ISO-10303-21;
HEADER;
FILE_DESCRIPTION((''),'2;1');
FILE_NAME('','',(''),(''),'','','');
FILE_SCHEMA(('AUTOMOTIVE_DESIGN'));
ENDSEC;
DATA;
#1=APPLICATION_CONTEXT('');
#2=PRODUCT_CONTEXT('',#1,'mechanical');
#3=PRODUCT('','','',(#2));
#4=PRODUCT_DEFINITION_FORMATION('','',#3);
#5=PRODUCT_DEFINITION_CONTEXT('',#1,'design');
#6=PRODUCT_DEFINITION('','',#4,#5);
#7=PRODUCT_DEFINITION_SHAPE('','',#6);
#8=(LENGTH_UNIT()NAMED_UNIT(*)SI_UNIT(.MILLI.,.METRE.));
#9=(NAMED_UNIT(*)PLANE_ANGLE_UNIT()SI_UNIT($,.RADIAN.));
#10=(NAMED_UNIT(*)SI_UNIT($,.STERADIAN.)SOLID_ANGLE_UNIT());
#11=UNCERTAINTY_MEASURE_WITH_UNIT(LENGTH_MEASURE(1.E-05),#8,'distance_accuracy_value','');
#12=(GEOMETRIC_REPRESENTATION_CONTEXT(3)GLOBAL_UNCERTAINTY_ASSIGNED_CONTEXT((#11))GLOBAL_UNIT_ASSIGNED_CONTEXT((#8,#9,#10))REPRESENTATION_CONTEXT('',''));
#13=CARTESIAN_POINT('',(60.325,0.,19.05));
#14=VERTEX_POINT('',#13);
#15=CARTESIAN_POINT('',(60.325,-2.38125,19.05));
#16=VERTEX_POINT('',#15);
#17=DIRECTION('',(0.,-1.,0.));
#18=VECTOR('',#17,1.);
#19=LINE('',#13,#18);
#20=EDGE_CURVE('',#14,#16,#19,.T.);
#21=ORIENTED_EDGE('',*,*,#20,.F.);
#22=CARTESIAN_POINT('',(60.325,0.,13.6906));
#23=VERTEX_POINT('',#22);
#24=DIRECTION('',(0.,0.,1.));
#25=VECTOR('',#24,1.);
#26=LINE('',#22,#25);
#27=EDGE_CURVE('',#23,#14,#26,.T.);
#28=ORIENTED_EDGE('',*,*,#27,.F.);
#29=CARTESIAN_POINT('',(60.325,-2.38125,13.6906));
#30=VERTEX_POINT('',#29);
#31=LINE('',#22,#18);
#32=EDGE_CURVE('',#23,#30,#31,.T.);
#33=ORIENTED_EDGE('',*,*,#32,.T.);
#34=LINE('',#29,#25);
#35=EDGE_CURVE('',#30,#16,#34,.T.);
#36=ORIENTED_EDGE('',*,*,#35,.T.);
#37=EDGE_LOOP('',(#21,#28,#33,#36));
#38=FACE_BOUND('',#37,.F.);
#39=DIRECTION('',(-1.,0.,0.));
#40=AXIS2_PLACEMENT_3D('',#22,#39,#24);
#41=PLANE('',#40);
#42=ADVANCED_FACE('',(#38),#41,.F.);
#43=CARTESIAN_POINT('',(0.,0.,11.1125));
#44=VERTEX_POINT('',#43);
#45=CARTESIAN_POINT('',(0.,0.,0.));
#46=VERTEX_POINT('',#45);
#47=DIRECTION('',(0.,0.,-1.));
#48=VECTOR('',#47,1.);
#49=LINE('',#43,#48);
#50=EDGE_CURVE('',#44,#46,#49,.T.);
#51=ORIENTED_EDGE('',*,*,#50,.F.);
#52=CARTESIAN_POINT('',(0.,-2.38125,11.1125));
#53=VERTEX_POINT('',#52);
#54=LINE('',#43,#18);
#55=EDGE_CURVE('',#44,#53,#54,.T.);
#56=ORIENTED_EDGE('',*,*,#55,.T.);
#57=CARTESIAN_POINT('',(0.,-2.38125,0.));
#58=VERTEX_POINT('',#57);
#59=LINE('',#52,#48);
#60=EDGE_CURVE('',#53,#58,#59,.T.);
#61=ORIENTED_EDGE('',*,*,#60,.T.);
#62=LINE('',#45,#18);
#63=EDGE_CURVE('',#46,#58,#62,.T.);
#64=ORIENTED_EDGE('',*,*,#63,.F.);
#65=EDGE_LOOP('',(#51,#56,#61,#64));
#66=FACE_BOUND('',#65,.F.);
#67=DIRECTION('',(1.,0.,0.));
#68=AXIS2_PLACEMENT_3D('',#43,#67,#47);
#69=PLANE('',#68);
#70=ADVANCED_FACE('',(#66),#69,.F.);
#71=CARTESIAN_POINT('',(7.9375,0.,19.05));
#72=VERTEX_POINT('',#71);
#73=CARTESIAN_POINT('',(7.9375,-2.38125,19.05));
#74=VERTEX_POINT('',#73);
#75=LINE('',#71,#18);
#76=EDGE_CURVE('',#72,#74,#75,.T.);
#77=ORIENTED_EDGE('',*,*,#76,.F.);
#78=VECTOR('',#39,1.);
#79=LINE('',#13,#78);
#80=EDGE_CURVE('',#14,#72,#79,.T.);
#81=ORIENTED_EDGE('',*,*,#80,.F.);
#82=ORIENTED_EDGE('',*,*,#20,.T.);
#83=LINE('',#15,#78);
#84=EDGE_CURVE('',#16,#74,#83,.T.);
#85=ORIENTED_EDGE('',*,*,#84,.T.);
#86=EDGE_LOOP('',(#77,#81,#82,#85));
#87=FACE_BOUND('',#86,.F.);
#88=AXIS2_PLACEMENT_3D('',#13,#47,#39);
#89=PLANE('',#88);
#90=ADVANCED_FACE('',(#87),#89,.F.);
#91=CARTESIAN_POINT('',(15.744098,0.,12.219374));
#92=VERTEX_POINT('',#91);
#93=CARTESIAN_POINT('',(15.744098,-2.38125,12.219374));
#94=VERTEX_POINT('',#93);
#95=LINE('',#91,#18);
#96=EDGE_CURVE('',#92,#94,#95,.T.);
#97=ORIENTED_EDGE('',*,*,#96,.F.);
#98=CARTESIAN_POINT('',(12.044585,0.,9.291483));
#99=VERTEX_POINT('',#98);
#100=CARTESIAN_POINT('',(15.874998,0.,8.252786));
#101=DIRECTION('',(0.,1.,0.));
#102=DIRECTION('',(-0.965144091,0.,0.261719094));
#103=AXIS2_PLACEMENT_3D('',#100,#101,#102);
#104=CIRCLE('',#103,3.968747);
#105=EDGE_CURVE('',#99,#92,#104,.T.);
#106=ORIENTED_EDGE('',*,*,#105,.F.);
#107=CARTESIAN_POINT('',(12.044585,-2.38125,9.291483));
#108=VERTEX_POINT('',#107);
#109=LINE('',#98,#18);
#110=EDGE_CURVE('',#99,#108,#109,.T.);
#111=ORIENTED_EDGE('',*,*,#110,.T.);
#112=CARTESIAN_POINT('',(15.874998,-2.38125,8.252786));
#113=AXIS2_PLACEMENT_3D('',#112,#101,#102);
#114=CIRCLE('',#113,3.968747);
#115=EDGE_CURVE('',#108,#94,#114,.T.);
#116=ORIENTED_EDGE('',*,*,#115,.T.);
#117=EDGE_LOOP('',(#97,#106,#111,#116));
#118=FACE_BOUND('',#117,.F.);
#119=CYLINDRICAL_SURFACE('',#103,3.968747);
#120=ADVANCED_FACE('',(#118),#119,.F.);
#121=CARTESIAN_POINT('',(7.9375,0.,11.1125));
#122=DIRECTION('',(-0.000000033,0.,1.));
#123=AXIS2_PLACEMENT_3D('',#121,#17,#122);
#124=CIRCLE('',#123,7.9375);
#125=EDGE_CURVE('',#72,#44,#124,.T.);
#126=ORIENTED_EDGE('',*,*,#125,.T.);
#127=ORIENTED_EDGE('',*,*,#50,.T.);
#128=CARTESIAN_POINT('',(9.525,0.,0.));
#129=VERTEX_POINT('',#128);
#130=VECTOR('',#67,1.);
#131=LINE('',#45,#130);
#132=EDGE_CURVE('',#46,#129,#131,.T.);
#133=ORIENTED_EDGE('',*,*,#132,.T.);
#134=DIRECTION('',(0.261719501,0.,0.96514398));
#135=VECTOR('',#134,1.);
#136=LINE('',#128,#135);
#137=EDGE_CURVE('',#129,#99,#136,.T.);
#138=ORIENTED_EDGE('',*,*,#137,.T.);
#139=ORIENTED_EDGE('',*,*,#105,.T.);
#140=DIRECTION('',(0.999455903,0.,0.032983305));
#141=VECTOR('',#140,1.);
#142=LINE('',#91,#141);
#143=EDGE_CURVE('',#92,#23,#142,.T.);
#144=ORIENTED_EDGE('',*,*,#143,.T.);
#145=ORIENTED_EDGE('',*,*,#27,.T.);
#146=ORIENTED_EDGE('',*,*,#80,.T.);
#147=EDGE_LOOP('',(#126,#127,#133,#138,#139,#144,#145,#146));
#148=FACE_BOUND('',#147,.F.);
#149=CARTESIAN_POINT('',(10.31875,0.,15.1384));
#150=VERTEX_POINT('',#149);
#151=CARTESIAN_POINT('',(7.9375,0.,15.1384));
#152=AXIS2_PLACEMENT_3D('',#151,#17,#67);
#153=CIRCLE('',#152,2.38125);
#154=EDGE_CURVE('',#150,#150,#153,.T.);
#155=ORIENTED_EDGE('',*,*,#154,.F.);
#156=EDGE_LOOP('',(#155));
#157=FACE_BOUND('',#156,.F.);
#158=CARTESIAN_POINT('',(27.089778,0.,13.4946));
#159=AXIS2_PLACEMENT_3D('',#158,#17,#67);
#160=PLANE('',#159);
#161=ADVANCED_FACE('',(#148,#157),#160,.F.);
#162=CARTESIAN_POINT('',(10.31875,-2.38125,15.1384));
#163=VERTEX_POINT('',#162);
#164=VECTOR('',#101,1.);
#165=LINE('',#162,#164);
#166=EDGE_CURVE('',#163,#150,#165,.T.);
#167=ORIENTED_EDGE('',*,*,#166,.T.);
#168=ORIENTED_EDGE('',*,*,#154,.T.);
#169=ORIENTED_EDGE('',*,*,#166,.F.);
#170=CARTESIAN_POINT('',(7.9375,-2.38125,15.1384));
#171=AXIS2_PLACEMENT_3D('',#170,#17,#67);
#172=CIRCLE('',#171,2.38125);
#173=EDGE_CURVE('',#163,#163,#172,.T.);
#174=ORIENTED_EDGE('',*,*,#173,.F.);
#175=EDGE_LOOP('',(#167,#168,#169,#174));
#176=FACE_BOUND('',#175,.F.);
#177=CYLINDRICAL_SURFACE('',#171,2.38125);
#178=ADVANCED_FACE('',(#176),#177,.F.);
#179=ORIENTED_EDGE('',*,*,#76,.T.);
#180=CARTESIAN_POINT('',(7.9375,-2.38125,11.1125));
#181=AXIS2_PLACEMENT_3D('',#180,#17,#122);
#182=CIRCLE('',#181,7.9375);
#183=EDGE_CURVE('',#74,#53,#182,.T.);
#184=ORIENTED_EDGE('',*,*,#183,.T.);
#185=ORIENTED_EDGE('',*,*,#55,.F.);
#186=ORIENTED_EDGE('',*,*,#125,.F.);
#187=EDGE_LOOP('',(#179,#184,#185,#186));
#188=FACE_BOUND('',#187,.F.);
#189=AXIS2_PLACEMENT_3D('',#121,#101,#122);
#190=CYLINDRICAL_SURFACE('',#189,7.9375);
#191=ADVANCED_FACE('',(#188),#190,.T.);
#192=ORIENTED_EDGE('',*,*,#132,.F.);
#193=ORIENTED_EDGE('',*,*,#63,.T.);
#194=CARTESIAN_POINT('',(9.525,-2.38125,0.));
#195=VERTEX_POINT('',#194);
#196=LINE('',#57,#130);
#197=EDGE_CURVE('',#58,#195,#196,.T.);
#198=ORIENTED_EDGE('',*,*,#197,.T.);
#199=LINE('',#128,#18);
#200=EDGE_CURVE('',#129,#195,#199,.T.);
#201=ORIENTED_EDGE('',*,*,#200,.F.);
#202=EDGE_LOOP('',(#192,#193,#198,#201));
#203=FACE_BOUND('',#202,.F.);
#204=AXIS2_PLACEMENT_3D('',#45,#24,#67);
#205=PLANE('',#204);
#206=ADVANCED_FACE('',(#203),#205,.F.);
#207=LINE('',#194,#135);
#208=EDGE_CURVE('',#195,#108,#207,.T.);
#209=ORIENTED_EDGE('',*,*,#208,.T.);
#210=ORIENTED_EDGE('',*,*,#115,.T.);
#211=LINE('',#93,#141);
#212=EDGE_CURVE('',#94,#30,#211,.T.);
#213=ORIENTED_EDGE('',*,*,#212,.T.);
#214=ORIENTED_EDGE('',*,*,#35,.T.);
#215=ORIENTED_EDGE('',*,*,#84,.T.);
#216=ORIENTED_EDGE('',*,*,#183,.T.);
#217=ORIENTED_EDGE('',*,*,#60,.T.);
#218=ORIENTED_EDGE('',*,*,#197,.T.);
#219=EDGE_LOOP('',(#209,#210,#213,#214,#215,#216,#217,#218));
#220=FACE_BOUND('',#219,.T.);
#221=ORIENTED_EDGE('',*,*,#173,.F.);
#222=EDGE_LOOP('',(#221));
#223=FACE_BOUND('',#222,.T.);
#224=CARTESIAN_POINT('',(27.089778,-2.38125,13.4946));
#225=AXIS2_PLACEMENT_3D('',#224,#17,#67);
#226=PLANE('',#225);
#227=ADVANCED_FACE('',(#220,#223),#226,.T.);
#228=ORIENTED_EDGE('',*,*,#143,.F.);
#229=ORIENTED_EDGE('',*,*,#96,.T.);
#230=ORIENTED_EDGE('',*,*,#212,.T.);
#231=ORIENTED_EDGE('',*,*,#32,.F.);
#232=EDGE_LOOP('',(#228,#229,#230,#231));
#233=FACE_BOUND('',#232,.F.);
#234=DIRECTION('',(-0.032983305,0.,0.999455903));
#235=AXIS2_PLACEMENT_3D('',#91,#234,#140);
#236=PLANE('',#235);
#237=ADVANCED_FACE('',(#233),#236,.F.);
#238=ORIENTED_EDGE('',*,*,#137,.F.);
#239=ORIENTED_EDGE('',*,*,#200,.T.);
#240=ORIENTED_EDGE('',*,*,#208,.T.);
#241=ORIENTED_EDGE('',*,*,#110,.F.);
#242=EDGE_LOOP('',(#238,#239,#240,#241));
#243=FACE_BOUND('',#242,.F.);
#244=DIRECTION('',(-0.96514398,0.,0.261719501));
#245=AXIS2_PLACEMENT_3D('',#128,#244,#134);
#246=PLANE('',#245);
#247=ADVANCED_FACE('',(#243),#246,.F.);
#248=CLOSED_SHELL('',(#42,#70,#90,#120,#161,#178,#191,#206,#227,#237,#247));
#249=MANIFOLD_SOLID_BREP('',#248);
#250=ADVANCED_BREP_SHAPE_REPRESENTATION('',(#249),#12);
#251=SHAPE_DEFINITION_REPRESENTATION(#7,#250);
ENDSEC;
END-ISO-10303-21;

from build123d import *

# Parameters (mm, degrees)
F1_DEPTH = 2.38125
F2_R     = 2.38125
F3_DEPTH = 2.38225


with BuildPart() as f1:
    # F0 (on Front) → F1 (new body)
    with BuildSketch(Plane.XZ):
        with BuildLine():
            Line((60.325, 19.05), (7.9375, 19.05))
            ThreePointArc((7.9375, 19.05), (2.32484, 16.72516), (0, 11.1125))
            Line((0, 11.1125), (0, 0))
            Line((0, 0), (9.525, 0))
            Line((9.525, 0), (12.044585, 9.291483))
            ThreePointArc((12.044585, 9.291483), (13.412045, 11.36483), (15.744098, 12.219374))
            Line((15.744098, 12.219374), (60.325, 13.6906))
            Line((60.325, 13.6906), (60.325, 19.05))
        make_face()
    extrude(amount=F1_DEPTH)

    # F2 (on face) → F3 (cut, through all)
    with BuildSketch(Plane.XZ.offset(2.38125)):
        with Locations((7.9375, 15.1384)):
            Circle(F2_R)
    extrude(amount=-F3_DEPTH, mode=Mode.SUBTRACT)


solid = f1.part
